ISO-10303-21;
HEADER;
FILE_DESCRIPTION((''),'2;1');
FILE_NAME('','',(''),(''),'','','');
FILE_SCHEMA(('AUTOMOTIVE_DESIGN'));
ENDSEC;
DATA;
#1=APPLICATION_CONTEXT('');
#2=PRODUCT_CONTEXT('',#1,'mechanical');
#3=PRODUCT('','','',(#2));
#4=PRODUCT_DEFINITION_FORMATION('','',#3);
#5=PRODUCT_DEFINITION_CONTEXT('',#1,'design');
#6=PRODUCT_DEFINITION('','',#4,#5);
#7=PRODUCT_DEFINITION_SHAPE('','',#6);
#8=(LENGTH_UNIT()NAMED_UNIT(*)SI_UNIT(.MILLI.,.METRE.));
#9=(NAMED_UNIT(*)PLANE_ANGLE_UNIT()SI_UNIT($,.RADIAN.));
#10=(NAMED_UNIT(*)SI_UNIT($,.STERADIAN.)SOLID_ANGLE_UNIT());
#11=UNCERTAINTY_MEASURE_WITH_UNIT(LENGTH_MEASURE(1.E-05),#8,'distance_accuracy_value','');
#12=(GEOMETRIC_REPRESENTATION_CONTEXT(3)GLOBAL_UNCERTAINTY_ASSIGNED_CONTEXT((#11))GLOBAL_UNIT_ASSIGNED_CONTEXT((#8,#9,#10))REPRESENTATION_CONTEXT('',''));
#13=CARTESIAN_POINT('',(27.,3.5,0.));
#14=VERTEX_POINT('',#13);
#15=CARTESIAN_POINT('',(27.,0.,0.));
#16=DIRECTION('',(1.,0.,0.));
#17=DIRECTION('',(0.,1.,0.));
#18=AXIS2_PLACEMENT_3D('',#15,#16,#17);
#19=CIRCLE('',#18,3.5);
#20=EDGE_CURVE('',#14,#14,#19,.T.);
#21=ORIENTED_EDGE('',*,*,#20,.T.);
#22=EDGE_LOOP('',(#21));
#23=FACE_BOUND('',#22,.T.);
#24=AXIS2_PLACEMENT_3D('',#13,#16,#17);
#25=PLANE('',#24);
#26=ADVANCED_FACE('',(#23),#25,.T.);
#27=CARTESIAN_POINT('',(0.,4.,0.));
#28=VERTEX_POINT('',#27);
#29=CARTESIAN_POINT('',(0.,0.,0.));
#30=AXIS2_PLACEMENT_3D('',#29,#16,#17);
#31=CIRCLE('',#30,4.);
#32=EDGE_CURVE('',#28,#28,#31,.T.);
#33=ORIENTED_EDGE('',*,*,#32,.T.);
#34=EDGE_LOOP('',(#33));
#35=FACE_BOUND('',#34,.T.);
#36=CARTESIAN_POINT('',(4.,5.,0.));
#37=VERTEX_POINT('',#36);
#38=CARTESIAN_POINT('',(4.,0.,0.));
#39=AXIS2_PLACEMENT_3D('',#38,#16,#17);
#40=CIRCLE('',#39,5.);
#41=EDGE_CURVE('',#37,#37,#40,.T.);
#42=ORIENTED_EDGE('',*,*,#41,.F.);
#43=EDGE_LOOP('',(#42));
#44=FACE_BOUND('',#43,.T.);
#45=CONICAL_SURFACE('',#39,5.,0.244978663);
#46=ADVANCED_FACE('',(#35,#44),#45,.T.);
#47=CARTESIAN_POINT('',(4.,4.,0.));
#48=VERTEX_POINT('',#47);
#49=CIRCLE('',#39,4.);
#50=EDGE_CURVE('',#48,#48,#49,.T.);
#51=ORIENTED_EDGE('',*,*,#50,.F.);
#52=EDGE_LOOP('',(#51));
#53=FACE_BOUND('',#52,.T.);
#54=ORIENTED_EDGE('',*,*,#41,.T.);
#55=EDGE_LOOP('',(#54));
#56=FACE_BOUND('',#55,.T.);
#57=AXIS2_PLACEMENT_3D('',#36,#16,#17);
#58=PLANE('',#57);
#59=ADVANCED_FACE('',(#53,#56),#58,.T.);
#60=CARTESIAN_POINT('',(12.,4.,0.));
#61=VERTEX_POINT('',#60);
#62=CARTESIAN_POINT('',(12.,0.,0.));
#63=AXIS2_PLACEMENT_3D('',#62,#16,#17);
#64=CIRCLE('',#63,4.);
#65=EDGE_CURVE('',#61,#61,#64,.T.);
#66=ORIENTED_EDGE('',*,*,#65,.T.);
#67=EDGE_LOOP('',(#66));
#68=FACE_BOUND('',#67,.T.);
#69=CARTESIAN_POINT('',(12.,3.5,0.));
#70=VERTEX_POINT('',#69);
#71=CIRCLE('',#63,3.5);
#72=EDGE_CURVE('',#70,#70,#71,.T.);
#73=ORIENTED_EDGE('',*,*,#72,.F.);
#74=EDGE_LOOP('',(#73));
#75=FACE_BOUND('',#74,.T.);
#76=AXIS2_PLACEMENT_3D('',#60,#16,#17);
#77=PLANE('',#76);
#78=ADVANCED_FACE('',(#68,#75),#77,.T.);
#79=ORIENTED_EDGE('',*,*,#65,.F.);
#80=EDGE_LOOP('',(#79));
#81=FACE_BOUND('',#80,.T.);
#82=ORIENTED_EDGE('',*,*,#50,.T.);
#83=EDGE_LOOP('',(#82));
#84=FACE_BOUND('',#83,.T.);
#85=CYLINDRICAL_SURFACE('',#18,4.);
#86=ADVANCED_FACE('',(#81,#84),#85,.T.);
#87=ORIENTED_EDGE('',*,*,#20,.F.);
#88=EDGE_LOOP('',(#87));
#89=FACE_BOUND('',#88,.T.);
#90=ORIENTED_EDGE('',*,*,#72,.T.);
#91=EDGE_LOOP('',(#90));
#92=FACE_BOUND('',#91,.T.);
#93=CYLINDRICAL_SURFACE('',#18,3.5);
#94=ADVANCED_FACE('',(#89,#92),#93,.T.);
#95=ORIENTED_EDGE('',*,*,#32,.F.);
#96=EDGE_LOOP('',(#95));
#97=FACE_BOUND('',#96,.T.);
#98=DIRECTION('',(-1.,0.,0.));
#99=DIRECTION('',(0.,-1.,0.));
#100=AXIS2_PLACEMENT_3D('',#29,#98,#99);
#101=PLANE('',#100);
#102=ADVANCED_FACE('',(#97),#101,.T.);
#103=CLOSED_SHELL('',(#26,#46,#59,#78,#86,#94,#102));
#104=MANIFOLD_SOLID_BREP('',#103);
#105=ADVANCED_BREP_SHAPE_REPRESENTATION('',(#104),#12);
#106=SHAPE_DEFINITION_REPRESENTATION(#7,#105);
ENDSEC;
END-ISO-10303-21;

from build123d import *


with BuildPart() as part:
    # Эскиз1 → Повернуть1 (revolve)
    with BuildSketch(Plane.XY):
        Polygon((0, 0), (0, 4), (4, 5), (4, 4), (12, 4), (12, 3.5), (27, 3.5), (27, 0), align=None)
    revolve(axis=Axis((27, 0, 0), (-1, 0, 0)))


solid = part.part
